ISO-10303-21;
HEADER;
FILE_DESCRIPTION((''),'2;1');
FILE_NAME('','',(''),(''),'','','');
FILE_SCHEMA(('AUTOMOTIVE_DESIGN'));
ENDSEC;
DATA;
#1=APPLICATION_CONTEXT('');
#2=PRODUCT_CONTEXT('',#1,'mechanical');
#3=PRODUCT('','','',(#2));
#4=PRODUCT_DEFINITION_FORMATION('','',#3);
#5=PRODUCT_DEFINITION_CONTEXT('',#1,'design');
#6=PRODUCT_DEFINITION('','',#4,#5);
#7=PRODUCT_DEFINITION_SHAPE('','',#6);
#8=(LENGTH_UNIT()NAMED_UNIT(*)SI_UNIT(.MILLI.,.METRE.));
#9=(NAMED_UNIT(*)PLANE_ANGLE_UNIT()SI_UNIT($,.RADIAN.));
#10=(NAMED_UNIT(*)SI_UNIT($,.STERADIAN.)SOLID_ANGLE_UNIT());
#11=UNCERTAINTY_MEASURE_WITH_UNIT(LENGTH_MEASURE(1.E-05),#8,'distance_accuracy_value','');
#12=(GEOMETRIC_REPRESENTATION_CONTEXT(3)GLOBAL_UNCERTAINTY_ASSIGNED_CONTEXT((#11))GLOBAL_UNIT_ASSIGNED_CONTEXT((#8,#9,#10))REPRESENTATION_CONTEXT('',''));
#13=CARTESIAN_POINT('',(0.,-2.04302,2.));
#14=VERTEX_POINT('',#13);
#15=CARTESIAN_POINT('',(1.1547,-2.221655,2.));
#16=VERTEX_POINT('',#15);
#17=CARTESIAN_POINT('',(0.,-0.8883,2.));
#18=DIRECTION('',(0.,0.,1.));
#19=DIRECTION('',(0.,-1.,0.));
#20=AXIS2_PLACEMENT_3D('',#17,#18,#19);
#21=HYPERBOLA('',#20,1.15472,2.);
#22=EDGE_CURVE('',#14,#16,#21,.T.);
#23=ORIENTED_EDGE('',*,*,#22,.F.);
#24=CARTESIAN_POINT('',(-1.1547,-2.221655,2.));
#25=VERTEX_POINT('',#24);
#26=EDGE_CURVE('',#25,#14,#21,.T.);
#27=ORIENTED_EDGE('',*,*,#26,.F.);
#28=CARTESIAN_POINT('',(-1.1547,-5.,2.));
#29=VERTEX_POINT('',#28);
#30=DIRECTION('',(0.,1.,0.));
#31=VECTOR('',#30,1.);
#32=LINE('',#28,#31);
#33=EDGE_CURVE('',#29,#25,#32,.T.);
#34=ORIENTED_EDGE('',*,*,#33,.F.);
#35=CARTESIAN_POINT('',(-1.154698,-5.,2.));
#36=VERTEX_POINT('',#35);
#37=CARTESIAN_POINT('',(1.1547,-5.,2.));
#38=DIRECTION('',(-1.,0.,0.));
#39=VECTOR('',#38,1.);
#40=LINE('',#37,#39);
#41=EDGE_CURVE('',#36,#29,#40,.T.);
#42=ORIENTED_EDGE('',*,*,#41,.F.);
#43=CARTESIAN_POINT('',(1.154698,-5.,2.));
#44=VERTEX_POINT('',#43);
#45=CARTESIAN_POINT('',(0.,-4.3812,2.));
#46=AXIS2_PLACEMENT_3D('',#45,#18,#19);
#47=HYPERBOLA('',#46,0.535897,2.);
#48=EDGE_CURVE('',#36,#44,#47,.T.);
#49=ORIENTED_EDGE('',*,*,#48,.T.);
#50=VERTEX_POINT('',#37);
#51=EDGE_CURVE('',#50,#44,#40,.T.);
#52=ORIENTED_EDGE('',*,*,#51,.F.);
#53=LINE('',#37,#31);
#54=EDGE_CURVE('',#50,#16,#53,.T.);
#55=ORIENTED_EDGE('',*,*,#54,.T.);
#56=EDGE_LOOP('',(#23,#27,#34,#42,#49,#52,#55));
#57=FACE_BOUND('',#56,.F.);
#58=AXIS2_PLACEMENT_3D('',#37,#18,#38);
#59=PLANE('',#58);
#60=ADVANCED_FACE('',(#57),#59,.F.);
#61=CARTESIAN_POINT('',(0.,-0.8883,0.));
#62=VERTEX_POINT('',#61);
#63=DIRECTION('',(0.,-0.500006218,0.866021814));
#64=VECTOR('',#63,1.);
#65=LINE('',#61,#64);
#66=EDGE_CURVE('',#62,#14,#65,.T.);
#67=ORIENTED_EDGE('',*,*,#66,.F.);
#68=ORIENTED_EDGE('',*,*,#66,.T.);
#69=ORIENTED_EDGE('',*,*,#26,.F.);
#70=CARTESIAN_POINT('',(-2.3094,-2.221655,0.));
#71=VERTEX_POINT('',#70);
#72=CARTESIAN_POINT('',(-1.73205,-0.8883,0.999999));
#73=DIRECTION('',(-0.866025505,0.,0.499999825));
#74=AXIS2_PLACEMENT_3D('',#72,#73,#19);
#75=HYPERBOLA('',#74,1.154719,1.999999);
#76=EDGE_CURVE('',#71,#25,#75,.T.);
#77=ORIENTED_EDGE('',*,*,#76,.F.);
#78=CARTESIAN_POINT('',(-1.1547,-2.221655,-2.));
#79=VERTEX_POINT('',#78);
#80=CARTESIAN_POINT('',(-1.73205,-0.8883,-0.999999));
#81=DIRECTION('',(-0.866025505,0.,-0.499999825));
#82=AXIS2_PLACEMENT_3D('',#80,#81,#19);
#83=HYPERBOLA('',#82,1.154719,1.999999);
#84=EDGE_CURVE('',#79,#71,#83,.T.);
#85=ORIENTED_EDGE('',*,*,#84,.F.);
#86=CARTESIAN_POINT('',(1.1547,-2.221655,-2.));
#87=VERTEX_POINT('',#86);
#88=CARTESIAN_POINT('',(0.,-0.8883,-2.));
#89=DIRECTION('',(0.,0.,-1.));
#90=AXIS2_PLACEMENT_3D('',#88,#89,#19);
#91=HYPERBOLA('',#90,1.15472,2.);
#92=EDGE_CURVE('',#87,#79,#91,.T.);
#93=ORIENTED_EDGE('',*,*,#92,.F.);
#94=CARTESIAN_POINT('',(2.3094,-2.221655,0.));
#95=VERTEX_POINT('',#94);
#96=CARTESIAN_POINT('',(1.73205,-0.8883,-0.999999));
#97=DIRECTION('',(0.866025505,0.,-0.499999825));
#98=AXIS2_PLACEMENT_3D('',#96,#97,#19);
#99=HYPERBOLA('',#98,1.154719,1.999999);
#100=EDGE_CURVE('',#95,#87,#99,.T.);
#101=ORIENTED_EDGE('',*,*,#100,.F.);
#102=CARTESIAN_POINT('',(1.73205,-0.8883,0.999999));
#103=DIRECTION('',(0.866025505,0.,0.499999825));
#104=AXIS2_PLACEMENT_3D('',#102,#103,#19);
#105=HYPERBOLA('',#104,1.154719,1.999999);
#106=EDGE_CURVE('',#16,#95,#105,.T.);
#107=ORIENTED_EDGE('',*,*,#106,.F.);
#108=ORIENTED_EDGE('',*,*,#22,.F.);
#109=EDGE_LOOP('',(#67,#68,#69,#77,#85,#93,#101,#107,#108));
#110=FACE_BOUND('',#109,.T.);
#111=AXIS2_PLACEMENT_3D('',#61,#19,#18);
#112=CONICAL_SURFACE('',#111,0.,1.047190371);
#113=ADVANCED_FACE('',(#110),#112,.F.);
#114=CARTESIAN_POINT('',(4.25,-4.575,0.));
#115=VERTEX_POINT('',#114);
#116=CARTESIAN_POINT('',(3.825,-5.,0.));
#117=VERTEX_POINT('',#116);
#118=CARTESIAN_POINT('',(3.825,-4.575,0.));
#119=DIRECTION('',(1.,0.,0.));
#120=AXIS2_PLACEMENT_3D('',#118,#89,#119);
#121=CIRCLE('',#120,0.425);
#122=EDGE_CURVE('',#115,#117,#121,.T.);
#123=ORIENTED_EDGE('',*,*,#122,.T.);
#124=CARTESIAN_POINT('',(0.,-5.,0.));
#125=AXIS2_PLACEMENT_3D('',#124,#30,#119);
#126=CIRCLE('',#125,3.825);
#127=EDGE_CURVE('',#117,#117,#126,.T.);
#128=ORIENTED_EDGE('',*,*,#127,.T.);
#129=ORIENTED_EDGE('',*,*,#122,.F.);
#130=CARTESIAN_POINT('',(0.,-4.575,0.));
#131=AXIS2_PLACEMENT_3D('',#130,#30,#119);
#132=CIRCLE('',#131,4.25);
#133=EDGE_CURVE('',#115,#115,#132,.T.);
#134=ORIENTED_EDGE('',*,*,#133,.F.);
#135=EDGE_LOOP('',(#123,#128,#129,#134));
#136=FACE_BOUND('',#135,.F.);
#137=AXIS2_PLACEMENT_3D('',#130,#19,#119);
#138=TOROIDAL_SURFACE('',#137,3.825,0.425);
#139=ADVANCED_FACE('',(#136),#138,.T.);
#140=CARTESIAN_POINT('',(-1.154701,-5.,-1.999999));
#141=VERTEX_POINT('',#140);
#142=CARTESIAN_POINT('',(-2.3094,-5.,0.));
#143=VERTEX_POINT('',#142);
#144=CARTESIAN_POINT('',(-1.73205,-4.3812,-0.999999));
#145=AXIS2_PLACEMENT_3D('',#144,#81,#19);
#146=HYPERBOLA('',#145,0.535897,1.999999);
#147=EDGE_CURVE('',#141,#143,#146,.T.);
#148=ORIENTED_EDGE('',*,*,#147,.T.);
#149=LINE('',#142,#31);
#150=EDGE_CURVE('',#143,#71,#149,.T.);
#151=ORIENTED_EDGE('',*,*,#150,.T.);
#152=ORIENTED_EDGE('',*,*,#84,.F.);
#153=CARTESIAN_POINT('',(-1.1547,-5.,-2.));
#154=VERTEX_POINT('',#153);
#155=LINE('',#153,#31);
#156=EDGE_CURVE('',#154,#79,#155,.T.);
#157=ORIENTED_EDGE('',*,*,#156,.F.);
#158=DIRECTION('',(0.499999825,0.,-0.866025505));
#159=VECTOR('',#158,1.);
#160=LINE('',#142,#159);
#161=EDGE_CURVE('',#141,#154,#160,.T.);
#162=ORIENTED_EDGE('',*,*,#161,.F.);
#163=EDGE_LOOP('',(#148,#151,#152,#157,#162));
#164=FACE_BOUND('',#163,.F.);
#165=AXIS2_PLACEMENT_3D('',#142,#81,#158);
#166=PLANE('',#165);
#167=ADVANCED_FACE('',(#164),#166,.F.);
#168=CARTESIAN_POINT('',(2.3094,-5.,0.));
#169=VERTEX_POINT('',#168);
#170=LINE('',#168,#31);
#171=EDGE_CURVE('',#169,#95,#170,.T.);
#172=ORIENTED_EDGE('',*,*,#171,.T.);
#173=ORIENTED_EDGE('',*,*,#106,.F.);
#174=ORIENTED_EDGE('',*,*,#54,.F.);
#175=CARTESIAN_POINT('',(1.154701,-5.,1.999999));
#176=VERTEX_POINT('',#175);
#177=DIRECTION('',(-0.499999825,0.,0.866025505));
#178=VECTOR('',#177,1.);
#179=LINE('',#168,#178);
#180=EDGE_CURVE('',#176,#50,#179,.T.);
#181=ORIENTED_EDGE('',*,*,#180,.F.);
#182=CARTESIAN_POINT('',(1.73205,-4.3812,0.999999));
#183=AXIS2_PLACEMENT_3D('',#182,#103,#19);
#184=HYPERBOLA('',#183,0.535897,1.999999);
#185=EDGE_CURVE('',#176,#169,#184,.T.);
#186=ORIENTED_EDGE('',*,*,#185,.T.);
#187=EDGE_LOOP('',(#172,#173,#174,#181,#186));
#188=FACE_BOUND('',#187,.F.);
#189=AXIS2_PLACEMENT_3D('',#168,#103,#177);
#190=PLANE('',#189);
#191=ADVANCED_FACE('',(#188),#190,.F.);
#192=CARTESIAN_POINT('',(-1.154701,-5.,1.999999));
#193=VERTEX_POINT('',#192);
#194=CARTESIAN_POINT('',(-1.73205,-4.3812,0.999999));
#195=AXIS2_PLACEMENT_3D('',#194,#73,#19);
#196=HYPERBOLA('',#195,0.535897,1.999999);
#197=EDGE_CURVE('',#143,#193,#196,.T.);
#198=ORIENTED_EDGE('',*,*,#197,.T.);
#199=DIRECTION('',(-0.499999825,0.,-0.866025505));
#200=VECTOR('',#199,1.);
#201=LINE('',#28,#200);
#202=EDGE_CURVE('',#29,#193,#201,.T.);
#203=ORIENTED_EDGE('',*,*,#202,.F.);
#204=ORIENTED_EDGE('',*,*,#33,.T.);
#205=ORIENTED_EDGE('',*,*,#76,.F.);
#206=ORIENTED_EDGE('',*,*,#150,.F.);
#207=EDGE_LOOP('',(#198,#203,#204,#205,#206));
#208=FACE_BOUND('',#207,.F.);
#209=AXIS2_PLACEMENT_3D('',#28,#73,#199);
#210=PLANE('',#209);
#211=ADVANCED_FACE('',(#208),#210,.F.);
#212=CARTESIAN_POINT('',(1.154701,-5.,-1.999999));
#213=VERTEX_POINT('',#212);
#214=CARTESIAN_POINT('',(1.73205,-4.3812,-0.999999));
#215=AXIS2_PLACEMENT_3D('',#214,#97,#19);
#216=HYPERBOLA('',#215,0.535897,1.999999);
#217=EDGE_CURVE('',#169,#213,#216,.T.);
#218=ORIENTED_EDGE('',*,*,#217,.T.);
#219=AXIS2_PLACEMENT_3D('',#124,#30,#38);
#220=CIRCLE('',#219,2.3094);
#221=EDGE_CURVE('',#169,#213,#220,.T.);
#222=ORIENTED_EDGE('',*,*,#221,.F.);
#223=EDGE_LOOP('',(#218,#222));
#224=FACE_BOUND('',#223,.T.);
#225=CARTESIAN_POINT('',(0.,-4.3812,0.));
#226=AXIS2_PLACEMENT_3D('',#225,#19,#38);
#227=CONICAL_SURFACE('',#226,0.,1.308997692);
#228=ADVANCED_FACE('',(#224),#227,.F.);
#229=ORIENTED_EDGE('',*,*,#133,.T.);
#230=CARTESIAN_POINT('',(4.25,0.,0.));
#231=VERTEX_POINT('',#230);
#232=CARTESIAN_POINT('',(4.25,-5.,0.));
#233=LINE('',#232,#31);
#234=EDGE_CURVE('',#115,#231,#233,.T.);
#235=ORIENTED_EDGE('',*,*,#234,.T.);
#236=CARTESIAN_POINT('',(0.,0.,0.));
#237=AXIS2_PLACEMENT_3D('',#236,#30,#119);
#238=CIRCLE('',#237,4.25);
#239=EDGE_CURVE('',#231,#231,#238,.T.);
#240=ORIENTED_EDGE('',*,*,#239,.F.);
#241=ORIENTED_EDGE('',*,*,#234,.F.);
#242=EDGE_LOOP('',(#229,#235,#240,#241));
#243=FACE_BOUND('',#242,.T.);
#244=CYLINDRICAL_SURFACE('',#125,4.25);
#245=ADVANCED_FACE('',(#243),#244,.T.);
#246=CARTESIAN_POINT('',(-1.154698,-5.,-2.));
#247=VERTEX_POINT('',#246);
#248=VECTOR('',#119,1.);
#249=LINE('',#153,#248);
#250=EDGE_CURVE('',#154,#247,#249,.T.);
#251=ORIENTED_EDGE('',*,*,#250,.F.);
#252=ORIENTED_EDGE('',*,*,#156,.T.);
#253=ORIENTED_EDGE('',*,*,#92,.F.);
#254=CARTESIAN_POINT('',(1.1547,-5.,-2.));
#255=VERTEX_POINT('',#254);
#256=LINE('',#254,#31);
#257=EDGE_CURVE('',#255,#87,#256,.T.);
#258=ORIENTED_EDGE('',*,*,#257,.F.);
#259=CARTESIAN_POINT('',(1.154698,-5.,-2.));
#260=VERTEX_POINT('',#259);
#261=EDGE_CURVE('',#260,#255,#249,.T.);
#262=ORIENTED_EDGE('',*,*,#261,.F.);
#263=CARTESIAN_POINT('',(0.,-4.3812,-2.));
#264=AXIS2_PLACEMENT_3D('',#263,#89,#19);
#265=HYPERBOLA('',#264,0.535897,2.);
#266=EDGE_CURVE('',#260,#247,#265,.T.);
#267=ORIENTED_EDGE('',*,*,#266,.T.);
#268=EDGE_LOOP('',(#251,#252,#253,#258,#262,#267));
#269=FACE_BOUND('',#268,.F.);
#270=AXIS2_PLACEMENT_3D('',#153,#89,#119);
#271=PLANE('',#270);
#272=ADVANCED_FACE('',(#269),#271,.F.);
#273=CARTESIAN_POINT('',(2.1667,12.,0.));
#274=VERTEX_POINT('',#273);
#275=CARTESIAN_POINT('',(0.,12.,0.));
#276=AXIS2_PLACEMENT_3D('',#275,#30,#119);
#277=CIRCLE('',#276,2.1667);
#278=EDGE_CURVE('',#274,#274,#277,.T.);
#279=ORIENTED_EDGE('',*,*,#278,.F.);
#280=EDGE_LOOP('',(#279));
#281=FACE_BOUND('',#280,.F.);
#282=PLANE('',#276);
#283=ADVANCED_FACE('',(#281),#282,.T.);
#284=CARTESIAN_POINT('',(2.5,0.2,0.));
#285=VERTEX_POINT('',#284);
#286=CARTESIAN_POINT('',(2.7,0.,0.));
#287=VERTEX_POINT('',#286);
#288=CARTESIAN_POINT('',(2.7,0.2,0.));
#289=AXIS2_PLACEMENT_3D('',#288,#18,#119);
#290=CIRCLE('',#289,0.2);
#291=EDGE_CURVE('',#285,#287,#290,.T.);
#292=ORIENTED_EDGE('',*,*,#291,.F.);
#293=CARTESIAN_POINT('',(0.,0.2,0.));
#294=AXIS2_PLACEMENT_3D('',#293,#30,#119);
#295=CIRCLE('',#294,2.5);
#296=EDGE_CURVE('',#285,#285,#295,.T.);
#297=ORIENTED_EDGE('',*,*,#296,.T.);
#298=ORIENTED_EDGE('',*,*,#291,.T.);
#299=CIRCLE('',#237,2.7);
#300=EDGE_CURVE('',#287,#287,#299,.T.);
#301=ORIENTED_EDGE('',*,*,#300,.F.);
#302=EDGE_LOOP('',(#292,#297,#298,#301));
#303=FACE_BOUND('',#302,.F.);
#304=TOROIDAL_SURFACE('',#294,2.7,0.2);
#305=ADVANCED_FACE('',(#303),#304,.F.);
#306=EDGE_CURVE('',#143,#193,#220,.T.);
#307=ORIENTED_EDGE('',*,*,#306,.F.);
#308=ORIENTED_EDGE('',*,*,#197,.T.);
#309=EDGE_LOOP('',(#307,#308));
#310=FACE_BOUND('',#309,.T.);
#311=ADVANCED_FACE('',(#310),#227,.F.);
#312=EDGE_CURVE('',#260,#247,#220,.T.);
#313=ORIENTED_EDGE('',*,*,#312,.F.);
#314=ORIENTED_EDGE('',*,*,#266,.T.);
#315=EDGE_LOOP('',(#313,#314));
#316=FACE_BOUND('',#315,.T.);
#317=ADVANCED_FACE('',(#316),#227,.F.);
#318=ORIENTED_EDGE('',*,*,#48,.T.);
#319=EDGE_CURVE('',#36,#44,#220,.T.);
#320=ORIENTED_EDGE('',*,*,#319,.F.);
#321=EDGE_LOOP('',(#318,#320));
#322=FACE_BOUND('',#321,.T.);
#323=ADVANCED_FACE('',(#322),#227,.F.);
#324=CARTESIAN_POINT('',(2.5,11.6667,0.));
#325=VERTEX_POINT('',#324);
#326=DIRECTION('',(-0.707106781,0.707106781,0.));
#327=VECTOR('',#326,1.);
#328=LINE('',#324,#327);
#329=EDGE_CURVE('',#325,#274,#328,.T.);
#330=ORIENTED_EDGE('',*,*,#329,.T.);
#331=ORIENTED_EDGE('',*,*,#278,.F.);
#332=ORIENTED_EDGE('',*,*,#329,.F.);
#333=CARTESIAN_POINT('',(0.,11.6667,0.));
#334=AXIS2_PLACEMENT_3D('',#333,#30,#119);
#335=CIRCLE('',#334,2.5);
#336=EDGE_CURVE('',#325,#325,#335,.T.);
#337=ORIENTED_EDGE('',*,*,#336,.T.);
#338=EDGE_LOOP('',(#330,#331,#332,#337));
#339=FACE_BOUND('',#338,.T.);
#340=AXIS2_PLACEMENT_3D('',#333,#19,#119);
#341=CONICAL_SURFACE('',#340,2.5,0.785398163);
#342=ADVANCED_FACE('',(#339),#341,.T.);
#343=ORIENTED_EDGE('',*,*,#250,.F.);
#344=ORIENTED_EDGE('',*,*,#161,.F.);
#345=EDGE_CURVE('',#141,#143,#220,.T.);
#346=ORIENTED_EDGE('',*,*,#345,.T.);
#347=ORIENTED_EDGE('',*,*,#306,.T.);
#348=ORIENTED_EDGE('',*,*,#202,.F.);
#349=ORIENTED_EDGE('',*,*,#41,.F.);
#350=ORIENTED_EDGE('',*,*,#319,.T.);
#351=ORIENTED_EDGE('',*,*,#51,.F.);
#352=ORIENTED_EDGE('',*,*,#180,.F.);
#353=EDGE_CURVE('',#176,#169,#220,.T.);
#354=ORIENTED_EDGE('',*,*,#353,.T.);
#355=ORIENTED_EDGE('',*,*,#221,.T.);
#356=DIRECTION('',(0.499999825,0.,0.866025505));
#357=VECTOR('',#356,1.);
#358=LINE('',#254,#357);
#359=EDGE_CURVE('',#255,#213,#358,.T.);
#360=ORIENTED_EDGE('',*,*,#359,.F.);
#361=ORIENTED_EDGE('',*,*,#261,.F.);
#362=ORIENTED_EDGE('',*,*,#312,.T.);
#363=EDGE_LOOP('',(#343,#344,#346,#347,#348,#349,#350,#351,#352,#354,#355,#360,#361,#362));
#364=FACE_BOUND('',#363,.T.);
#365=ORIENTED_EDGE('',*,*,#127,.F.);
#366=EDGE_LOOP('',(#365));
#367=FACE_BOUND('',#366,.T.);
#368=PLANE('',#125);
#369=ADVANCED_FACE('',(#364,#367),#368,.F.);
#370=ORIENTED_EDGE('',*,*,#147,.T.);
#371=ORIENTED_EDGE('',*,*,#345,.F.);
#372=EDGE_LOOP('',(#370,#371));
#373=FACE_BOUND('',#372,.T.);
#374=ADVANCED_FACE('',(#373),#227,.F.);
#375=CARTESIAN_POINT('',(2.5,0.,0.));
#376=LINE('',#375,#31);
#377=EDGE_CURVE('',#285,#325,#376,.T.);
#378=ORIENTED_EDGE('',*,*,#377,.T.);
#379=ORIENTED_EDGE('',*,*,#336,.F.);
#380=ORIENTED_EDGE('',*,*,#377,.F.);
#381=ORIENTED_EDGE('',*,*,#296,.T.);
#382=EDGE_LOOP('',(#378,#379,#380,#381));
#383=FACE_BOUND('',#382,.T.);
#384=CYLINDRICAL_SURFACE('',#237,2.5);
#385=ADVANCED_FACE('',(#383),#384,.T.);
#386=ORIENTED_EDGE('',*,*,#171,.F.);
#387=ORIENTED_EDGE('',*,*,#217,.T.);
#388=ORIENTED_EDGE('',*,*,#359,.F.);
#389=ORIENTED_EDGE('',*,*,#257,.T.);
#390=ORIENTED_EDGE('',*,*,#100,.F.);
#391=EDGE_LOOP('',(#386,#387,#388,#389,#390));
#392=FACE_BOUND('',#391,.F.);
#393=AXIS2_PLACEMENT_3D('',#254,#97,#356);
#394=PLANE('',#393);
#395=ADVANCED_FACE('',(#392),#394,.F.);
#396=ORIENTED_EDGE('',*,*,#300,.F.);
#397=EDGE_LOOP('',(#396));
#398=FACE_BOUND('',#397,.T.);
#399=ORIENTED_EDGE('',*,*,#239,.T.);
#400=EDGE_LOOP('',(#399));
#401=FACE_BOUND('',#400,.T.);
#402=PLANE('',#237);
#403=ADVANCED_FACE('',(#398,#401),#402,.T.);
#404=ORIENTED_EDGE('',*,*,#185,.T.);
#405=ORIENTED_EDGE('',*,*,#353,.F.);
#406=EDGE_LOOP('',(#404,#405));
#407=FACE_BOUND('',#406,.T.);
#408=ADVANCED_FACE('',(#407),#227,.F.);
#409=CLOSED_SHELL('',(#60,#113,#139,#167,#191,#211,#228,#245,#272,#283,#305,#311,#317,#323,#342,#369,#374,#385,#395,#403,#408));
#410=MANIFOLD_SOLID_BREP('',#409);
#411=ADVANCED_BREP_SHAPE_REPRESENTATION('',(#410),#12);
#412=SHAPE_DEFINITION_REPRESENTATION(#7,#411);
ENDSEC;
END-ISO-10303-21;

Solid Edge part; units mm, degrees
sketch "Sketch1" plane through (0, 0, 0) normal (0, 0, 1) x (1, 0, 0)
  line L0 (2.5, 0) -> (2.5, 12)
  line L1 (0, 12) -> (2.5, 12)
  line L2 (0, 0) -> (0, 12)
  line L3 (0, 0) -> (0, -5)
  line L4 (0, -5) -> (4.25, -5)
  line L5 (4.25, -5) -> (4.25, 0)
  line L6 (4.25, 0) -> (2.5, 0)
revolve "RevolvedProtrusion1" add sketch "Sketch1" angle 360 about axis through (0, 0, 0) along (0, 1, 0)
sketch "Sketch2" plane through (0, 0, 0) normal (1, 0, 0) x (0, 1, 0)
  line L0 (-5, 2.7915) -> (-2.5, 2.7915)
  line L1 (-0.8883, 0) -> (-2.5, 2.7915)
  line L2 (-5, 0) -> (-0.8883, 0)
  line L3 (-5, 0) -> (-5, 2.7915)
revolve "RevolvedCutout1" cut sketch "Sketch2" angle 360 about axis through (0, -4.5, 0) along (0, 1, 0)
sketch "Sketch3" plane through (0, -5, 0) normal (0, -1, 0) x (0, 0, 1)
  circle A0 centre (0, 0) radius 2.7915
  line L0 (-2, -1.1547) -> (0, -2.3094)
  line L1 (0, -2.3094) -> (2, -1.1547)
  line L2 (2, -1.1547) -> (2, 1.1547)
  line L3 (2, 1.1547) -> (0, 2.3094)
  line L4 (0, 2.3094) -> (-2, 1.1547)
  line L5 (-2, 1.1547) -> (-2, -1.1547)
  dimension "D1" = 4
extrude "Protrusion1" add sketch "Sketch3" against normal up to next
sketch "Sketch4" plane through (0, 0, 0) normal (0, 0, 1) x (1, 0, 0)
  line L0 (-2.3094, -5) -> (0, -5)
  line L1 (0, -5) -> (0, -4.3812)
  line L2 (0, -4.3812) -> (-2.3094, -5)
revolve "RevolvedCutout2" cut sketch "Sketch4" angle 360 about axis through (0, -4.5, 0) along (0, 1, 0)
fillet "Round1" radius 0.2 1 edges at (0, 0, -2.5)
fillet "Round2" radius 0.425 1 edges at (0, -5, -4.25)
chamfer "倒斜角_2" distance 0.3333 angle 45 1 edges at (0, 12, -2.5)
cosmetic_thread "螺纹_3" size "M5" thread depth 9.6
